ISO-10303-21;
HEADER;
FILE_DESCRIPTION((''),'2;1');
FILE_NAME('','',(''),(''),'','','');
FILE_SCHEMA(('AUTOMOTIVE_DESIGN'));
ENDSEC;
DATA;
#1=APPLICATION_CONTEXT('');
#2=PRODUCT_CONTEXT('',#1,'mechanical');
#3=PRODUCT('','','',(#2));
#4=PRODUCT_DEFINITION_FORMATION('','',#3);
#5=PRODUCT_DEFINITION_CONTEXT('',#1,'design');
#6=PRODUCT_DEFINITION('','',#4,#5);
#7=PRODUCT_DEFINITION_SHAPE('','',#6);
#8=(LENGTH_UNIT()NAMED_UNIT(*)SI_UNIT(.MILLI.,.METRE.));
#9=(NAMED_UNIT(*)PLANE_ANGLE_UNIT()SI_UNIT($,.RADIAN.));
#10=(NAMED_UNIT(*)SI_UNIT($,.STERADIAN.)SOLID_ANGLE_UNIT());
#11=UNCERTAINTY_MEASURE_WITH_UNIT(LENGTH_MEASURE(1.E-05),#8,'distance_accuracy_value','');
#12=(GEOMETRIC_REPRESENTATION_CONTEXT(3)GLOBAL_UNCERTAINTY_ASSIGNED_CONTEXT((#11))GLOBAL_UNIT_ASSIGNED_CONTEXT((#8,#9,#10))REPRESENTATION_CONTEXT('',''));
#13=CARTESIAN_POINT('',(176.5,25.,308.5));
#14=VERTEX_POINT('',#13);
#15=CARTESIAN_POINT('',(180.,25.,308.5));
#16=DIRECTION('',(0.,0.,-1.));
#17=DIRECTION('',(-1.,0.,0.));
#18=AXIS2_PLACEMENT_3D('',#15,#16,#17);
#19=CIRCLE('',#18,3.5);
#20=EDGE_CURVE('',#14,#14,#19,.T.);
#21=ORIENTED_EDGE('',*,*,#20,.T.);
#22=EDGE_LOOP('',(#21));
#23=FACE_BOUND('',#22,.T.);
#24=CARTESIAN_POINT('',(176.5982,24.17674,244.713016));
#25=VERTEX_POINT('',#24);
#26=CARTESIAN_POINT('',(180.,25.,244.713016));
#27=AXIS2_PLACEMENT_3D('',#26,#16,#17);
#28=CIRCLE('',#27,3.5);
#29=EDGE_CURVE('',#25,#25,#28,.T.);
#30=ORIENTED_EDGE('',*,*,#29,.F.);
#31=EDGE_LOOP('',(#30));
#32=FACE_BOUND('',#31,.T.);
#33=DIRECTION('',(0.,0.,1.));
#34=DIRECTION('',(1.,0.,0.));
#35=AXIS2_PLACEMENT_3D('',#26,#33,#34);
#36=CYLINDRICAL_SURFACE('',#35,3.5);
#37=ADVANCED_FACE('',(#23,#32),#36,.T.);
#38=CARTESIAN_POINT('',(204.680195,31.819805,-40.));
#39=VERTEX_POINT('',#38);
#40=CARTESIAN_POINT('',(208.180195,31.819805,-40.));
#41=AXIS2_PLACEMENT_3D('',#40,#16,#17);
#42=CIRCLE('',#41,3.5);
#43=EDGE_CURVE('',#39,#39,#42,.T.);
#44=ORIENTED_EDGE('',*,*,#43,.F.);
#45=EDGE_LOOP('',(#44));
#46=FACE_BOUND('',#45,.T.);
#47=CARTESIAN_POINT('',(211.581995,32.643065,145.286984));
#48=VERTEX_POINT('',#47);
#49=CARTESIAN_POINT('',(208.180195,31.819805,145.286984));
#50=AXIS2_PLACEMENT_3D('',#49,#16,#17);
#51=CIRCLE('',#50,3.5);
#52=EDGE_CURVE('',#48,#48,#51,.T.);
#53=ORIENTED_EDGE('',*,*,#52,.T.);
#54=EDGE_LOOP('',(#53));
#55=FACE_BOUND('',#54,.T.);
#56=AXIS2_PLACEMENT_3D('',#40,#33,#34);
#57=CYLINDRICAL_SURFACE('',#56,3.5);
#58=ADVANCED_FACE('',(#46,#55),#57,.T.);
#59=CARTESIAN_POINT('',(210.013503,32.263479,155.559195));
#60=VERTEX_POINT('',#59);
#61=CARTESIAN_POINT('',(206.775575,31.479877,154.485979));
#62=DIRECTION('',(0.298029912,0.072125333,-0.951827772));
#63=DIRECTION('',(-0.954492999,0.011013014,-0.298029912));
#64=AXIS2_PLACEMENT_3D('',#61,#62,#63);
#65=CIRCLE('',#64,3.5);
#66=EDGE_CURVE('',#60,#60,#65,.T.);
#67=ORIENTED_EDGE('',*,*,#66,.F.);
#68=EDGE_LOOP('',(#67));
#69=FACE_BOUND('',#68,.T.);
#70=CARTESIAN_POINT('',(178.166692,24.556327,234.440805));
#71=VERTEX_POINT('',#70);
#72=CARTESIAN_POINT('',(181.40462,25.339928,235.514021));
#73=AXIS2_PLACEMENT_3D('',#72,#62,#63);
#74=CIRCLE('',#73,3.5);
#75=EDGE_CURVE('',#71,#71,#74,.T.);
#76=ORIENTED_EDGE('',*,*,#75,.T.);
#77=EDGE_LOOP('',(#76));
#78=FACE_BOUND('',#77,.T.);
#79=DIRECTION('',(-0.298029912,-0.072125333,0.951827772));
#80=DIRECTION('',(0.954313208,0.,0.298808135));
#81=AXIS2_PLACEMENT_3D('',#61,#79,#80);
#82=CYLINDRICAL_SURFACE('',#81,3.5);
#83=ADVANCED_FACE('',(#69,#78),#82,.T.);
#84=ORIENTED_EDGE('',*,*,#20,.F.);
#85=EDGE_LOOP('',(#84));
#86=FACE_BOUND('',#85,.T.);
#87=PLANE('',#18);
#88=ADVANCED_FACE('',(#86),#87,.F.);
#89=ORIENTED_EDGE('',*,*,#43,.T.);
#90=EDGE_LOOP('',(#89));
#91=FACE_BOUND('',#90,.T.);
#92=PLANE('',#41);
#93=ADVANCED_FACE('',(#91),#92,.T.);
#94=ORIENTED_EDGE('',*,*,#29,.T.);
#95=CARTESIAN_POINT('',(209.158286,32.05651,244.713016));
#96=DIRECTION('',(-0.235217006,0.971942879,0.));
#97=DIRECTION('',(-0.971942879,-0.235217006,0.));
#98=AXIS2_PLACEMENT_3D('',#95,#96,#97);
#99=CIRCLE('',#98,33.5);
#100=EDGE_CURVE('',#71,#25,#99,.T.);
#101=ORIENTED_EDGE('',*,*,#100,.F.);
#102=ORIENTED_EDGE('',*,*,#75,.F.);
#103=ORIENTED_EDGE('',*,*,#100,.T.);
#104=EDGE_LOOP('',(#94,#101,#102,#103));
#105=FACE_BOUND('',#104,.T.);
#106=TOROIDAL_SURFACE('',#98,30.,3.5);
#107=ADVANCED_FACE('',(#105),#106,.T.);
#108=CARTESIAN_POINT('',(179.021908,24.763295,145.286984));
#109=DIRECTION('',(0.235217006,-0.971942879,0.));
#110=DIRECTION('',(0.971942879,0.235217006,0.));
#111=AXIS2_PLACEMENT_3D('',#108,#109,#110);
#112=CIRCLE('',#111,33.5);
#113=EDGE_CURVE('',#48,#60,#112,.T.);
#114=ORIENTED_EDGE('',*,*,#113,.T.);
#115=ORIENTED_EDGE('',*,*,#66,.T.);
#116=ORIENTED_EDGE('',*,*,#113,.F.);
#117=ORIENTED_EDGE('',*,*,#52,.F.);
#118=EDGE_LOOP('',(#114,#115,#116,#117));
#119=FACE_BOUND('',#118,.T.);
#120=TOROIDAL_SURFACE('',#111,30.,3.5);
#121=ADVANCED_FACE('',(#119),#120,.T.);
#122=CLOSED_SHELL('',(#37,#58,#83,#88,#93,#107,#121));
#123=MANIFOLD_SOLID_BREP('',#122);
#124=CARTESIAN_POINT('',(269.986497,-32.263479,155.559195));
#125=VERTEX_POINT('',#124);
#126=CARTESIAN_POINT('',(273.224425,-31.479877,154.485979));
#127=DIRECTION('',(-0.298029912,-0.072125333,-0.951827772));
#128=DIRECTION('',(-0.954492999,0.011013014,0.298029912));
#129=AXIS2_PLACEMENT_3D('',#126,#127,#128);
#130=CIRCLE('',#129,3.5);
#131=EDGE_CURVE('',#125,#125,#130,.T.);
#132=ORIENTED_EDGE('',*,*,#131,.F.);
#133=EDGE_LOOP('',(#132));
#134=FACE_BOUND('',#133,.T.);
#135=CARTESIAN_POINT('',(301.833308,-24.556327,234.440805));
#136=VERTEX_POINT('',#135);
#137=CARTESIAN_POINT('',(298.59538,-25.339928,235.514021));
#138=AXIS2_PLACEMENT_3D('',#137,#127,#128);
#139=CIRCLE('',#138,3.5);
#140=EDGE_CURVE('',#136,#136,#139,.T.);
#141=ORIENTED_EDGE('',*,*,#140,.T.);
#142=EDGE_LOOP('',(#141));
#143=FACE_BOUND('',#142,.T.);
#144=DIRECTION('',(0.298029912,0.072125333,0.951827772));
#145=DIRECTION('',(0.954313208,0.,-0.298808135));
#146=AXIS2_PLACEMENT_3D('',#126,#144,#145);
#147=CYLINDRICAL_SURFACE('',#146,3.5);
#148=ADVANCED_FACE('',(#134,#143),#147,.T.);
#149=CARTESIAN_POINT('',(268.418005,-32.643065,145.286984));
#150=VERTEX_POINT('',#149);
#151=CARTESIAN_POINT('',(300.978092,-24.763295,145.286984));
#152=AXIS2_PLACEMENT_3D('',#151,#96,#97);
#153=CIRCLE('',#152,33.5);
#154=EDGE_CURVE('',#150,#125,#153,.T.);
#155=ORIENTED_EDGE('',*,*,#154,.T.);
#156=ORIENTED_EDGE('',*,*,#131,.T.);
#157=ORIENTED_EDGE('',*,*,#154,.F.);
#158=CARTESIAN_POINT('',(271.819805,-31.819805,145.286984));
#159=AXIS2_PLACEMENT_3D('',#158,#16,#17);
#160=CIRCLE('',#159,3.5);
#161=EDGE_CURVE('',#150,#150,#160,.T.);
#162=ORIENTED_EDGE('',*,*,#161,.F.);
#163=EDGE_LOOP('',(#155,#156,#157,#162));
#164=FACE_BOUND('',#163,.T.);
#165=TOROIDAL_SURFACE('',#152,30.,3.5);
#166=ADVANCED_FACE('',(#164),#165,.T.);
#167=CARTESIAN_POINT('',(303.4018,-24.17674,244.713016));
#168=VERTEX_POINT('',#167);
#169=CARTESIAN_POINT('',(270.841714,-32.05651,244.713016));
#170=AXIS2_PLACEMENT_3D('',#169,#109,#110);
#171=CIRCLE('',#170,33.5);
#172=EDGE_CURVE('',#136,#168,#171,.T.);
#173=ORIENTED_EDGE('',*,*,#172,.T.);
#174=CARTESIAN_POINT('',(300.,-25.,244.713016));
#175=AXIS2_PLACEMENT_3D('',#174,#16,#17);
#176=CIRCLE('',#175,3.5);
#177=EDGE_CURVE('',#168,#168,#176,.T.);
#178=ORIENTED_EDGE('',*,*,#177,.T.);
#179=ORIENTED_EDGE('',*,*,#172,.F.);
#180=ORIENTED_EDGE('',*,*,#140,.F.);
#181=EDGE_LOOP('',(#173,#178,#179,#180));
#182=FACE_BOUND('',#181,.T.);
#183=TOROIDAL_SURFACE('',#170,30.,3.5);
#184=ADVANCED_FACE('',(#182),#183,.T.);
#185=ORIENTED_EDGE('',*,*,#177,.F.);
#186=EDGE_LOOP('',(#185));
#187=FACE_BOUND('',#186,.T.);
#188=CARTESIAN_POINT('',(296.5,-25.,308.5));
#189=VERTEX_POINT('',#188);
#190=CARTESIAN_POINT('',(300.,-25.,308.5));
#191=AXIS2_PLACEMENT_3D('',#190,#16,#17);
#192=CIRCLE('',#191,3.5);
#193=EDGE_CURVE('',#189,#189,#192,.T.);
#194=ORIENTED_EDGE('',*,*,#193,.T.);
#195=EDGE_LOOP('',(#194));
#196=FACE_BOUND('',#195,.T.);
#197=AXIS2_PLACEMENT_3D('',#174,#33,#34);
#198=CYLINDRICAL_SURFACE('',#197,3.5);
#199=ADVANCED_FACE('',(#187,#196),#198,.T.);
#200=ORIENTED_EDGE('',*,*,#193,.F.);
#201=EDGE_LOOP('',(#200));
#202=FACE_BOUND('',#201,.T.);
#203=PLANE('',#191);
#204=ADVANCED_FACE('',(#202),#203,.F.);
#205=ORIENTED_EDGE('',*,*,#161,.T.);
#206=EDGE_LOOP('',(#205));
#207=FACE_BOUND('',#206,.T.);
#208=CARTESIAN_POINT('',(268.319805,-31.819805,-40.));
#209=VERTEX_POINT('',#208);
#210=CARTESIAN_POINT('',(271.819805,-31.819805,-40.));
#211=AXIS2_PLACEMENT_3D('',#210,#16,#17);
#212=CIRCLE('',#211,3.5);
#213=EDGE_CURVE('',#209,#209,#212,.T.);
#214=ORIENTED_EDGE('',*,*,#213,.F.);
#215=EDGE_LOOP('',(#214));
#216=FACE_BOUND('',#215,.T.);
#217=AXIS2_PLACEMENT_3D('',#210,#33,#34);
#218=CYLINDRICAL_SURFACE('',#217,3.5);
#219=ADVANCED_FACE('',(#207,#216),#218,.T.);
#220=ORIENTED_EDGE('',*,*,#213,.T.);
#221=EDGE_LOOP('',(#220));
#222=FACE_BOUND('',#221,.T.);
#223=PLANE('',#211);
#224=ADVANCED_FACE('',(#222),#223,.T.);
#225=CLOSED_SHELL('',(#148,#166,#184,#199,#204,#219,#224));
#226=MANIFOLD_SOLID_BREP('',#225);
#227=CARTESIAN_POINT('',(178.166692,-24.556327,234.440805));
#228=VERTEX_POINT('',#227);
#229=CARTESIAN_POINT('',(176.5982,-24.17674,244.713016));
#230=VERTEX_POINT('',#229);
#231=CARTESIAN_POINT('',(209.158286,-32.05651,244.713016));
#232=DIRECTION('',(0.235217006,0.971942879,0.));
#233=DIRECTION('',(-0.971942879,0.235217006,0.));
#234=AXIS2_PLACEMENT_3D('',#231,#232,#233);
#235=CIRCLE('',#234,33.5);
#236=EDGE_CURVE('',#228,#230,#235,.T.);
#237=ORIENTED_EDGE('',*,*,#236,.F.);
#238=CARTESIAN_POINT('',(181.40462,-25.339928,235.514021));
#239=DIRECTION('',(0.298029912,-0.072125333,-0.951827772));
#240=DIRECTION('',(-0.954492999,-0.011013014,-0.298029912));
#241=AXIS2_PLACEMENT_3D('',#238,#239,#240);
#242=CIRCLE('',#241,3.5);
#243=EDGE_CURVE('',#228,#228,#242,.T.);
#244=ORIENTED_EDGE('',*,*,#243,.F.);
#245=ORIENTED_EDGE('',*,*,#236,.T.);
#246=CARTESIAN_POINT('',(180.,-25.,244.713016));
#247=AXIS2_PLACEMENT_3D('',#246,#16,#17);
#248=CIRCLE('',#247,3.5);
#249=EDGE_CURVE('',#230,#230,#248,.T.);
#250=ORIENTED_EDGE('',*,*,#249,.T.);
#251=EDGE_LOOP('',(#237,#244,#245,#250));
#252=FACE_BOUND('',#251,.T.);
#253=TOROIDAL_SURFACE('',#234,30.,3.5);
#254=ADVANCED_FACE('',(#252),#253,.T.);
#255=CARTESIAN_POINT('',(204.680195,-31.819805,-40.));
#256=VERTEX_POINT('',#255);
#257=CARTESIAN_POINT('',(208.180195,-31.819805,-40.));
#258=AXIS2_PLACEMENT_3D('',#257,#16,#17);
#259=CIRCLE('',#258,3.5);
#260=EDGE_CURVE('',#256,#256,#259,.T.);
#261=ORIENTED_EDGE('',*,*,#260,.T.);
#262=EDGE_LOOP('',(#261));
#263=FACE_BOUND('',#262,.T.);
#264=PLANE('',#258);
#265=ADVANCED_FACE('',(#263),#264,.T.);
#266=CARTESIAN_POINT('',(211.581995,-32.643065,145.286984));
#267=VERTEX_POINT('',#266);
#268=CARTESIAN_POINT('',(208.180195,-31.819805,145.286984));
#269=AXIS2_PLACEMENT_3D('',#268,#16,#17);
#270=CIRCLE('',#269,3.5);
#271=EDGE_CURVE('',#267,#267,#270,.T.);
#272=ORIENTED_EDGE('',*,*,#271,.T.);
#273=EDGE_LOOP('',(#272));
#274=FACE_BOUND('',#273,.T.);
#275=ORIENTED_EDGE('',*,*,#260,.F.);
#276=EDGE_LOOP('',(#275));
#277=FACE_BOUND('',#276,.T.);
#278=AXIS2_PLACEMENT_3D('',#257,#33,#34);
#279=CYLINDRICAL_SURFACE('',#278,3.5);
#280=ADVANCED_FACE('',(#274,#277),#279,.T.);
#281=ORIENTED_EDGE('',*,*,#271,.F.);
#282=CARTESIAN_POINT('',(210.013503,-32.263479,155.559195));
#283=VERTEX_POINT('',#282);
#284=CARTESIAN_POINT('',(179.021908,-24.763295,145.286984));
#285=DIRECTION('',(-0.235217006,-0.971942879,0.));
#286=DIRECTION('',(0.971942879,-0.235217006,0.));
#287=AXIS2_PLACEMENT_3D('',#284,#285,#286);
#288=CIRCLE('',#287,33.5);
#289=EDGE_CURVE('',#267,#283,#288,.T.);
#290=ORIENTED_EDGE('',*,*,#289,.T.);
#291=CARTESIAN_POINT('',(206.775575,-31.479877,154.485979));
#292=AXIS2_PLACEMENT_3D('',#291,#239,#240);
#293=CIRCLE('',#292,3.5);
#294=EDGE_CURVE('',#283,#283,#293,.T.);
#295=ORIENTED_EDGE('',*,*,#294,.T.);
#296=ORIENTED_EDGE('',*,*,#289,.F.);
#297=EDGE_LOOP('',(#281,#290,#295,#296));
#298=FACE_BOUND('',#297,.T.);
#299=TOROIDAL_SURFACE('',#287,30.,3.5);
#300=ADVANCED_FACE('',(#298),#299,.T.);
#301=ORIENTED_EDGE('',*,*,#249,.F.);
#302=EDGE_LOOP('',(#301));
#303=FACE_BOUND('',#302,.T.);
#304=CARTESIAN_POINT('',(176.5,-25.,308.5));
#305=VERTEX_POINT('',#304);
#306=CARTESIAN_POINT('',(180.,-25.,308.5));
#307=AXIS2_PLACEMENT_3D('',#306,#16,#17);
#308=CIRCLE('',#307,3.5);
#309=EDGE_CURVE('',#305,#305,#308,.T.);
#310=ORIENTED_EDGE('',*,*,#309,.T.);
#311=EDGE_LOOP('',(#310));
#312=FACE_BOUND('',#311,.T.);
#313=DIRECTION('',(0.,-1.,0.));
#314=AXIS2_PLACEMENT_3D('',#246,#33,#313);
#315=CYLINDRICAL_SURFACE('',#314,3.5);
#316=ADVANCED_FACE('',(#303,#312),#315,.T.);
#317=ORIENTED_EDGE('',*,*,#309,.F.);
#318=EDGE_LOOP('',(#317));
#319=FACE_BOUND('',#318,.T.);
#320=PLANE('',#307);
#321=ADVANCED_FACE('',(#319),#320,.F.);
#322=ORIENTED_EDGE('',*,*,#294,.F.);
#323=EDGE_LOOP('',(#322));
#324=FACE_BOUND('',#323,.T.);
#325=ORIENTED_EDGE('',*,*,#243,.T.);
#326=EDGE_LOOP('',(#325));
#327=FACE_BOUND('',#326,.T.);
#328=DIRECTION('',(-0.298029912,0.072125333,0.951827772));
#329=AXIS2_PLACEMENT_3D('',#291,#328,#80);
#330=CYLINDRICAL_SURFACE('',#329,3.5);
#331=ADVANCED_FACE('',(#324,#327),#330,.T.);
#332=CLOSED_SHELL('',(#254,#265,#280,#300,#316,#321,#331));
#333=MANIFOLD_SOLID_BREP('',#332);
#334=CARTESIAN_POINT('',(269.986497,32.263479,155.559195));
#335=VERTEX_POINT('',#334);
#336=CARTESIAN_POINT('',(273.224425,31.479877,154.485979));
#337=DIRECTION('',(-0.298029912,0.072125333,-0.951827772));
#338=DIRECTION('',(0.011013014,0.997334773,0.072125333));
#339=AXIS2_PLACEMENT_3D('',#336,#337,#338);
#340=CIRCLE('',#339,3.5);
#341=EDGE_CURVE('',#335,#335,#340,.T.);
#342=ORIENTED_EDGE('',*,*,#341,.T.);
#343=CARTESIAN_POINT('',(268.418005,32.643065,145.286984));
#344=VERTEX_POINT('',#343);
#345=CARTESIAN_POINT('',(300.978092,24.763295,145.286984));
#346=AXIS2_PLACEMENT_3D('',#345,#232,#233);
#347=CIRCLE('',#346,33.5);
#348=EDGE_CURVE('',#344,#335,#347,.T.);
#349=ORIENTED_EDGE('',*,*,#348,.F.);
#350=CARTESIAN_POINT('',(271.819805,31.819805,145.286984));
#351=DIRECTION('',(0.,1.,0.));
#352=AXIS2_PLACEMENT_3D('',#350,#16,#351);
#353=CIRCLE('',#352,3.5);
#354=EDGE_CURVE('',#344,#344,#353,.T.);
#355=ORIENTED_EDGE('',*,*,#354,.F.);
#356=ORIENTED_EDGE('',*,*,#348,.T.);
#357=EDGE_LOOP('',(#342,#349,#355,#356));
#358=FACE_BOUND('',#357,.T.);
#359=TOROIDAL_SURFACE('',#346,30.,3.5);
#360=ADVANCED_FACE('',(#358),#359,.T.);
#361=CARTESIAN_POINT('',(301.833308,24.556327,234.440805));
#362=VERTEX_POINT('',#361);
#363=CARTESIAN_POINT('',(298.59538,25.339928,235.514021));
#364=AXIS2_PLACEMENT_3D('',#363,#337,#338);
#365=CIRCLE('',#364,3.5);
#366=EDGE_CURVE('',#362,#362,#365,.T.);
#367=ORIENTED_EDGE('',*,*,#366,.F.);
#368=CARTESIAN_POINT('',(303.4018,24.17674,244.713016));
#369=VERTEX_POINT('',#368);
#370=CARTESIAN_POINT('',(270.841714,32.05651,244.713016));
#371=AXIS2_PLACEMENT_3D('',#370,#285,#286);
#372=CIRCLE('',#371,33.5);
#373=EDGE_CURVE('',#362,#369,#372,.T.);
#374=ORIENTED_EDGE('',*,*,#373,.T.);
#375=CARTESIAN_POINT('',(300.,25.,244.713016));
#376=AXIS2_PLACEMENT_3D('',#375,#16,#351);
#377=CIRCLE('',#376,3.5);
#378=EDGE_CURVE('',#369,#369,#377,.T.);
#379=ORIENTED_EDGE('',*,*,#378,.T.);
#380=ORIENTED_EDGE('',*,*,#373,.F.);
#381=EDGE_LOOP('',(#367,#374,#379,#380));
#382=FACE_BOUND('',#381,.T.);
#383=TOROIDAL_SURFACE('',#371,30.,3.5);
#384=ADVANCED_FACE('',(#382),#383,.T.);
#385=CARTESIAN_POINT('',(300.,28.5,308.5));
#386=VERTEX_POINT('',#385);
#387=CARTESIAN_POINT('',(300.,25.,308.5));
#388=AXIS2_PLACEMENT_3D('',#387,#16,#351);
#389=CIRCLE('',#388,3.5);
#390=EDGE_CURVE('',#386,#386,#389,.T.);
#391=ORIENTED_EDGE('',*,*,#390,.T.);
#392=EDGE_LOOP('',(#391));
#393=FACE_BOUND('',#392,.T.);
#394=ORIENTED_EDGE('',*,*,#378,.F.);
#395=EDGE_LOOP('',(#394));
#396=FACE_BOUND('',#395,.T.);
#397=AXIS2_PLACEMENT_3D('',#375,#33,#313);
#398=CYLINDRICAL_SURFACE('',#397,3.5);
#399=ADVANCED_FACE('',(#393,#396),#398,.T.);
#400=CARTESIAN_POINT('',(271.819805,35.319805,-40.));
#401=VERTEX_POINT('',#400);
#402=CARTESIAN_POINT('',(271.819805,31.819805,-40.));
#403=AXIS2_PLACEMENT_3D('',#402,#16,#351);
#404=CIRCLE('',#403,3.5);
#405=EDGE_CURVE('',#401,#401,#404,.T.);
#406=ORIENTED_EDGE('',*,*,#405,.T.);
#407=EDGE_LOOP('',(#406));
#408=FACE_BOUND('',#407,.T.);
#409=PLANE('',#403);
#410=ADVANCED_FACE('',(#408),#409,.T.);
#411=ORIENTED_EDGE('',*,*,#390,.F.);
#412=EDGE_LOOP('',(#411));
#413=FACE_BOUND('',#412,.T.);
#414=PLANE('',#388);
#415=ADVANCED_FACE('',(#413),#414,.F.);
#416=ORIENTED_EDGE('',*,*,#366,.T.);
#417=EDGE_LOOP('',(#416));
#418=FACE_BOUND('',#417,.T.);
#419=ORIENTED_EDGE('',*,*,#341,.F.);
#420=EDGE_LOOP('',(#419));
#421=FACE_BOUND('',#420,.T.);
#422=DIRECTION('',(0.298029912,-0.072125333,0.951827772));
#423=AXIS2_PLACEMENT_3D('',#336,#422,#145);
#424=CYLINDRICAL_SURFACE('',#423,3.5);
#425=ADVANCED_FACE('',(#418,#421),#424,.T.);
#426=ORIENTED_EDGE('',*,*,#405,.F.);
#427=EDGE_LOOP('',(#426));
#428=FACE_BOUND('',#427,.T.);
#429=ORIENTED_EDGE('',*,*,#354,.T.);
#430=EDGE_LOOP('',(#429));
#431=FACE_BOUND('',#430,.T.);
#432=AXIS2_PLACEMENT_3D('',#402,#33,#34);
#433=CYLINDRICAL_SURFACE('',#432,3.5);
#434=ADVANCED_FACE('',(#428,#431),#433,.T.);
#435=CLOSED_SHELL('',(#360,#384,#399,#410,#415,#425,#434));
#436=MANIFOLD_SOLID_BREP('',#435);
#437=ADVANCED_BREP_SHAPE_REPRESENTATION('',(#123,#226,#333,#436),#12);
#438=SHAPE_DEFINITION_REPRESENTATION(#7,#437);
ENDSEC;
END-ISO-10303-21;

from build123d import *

# Parameters (mm, degrees)
PIPE_1_PROFILE_R = 3.5
PIPE_2_PROFILE_R = 3.5
PIPE_3_PROFILE_R = 3.5
PIPE_4_PROFILE_R = 3.5


with BuildPart() as part:
    # Pipe 1: sweep along a curve in space
    with BuildLine() as pipe_1_path:
        Line((271.819805153, 31.819805153, -40), (271.819805153, 31.819805153, 145.286984437))
        ThreePointArc((271.819805153, 31.819805153, 145.286984437), (272.173100401, 31.734305221, 149.942894929), (273.224424767, 31.479877338, 154.485979103))
        Line((273.224424767, 31.479877338, 154.485979103), (298.595380387, 25.339927816, 235.514020897))
        ThreePointArc((298.595380387, 25.339927816, 235.514020897), (299.646704753, 25.085499932, 240.057105071), (300, 25, 244.713015563))
        Line((300, 25, 244.713015563), (300, 25, 308.5))
    # Pipe 1 profile (on start of the path) → Pipe 1 (sweep)
    with BuildSketch(Plane(origin=(271.819805153, 31.819805153, -40), x_dir=(1, 0, 0), z_dir=(0, 0, 1))):
        Circle(PIPE_1_PROFILE_R)
    sweep(path=pipe_1_path.line)


with BuildPart() as body_2:
    # Pipe 2: sweep along a curve in space
    with BuildLine() as pipe_2_path:
        Line((208.180194847, 31.819805153, -40), (208.180194847, 31.819805153, 145.286984437))
        ThreePointArc((208.180194847, 31.819805153, 145.286984437), (207.826899599, 31.734305221, 149.942894929), (206.775575233, 31.479877338, 154.485979103))
        Line((206.775575233, 31.479877338, 154.485979103), (181.404619613, 25.339927816, 235.514020897))
        ThreePointArc((181.404619613, 25.339927816, 235.514020897), (180.353295247, 25.085499932, 240.057105071), (180, 25, 244.713015563))
        Line((180, 25, 244.713015563), (180, 25, 308.5))
    # Pipe 2 profile (on start of the path) → Pipe 2 (sweep)
    with BuildSketch(Plane(origin=(208.180194847, 31.819805153, -40), x_dir=(1, 0, 0), z_dir=(0, 0, 1))):
        Circle(PIPE_2_PROFILE_R)
    sweep(path=pipe_2_path.line)


with BuildPart() as body_3:
    # Pipe 3: sweep along a curve in space
    with BuildLine() as pipe_3_path:
        Line((208.180194847, -31.819805153, -40), (208.180194847, -31.819805153, 145.286984437))
        ThreePointArc((208.180194847, -31.819805153, 145.286984437), (207.826899599, -31.734305221, 149.942894929), (206.775575233, -31.479877338, 154.485979103))
        Line((206.775575233, -31.479877338, 154.485979103), (181.404619613, -25.339927816, 235.514020897))
        ThreePointArc((181.404619613, -25.339927816, 235.514020897), (180.353295247, -25.085499932, 240.057105071), (180, -25, 244.713015563))
        Line((180, -25, 244.713015563), (180, -25, 308.5))
    # Pipe 3 profile (on start of the path) → Pipe 3 (sweep)
    with BuildSketch(Plane(origin=(208.180194847, -31.819805153, -40), x_dir=(1, 0, 0), z_dir=(0, 0, 1))):
        Circle(PIPE_3_PROFILE_R)
    sweep(path=pipe_3_path.line)


with BuildPart() as body_4:
    # Pipe 4: sweep along a curve in space
    with BuildLine() as pipe_4_path:
        Line((271.819805153, -31.819805153, -40), (271.819805153, -31.819805153, 145.286984437))
        ThreePointArc((271.819805153, -31.819805153, 145.286984437), (272.173100401, -31.734305221, 149.942894929), (273.224424767, -31.479877338, 154.485979103))
        Line((273.224424767, -31.479877338, 154.485979103), (298.595380387, -25.339927816, 235.514020897))
        ThreePointArc((298.595380387, -25.339927816, 235.514020897), (299.646704753, -25.085499932, 240.057105071), (300, -25, 244.713015563))
        Line((300, -25, 244.713015563), (300, -25, 308.5))
    # Pipe 4 profile (on start of the path) → Pipe 4 (sweep)
    with BuildSketch(Plane(origin=(271.819805153, -31.819805153, -40), x_dir=(1, 0, 0), z_dir=(0, 0, 1))):
        Circle(PIPE_4_PROFILE_R)
    sweep(path=pipe_4_path.line)


solid = Compound([part.part, body_2.part, body_3.part, body_4.part])
